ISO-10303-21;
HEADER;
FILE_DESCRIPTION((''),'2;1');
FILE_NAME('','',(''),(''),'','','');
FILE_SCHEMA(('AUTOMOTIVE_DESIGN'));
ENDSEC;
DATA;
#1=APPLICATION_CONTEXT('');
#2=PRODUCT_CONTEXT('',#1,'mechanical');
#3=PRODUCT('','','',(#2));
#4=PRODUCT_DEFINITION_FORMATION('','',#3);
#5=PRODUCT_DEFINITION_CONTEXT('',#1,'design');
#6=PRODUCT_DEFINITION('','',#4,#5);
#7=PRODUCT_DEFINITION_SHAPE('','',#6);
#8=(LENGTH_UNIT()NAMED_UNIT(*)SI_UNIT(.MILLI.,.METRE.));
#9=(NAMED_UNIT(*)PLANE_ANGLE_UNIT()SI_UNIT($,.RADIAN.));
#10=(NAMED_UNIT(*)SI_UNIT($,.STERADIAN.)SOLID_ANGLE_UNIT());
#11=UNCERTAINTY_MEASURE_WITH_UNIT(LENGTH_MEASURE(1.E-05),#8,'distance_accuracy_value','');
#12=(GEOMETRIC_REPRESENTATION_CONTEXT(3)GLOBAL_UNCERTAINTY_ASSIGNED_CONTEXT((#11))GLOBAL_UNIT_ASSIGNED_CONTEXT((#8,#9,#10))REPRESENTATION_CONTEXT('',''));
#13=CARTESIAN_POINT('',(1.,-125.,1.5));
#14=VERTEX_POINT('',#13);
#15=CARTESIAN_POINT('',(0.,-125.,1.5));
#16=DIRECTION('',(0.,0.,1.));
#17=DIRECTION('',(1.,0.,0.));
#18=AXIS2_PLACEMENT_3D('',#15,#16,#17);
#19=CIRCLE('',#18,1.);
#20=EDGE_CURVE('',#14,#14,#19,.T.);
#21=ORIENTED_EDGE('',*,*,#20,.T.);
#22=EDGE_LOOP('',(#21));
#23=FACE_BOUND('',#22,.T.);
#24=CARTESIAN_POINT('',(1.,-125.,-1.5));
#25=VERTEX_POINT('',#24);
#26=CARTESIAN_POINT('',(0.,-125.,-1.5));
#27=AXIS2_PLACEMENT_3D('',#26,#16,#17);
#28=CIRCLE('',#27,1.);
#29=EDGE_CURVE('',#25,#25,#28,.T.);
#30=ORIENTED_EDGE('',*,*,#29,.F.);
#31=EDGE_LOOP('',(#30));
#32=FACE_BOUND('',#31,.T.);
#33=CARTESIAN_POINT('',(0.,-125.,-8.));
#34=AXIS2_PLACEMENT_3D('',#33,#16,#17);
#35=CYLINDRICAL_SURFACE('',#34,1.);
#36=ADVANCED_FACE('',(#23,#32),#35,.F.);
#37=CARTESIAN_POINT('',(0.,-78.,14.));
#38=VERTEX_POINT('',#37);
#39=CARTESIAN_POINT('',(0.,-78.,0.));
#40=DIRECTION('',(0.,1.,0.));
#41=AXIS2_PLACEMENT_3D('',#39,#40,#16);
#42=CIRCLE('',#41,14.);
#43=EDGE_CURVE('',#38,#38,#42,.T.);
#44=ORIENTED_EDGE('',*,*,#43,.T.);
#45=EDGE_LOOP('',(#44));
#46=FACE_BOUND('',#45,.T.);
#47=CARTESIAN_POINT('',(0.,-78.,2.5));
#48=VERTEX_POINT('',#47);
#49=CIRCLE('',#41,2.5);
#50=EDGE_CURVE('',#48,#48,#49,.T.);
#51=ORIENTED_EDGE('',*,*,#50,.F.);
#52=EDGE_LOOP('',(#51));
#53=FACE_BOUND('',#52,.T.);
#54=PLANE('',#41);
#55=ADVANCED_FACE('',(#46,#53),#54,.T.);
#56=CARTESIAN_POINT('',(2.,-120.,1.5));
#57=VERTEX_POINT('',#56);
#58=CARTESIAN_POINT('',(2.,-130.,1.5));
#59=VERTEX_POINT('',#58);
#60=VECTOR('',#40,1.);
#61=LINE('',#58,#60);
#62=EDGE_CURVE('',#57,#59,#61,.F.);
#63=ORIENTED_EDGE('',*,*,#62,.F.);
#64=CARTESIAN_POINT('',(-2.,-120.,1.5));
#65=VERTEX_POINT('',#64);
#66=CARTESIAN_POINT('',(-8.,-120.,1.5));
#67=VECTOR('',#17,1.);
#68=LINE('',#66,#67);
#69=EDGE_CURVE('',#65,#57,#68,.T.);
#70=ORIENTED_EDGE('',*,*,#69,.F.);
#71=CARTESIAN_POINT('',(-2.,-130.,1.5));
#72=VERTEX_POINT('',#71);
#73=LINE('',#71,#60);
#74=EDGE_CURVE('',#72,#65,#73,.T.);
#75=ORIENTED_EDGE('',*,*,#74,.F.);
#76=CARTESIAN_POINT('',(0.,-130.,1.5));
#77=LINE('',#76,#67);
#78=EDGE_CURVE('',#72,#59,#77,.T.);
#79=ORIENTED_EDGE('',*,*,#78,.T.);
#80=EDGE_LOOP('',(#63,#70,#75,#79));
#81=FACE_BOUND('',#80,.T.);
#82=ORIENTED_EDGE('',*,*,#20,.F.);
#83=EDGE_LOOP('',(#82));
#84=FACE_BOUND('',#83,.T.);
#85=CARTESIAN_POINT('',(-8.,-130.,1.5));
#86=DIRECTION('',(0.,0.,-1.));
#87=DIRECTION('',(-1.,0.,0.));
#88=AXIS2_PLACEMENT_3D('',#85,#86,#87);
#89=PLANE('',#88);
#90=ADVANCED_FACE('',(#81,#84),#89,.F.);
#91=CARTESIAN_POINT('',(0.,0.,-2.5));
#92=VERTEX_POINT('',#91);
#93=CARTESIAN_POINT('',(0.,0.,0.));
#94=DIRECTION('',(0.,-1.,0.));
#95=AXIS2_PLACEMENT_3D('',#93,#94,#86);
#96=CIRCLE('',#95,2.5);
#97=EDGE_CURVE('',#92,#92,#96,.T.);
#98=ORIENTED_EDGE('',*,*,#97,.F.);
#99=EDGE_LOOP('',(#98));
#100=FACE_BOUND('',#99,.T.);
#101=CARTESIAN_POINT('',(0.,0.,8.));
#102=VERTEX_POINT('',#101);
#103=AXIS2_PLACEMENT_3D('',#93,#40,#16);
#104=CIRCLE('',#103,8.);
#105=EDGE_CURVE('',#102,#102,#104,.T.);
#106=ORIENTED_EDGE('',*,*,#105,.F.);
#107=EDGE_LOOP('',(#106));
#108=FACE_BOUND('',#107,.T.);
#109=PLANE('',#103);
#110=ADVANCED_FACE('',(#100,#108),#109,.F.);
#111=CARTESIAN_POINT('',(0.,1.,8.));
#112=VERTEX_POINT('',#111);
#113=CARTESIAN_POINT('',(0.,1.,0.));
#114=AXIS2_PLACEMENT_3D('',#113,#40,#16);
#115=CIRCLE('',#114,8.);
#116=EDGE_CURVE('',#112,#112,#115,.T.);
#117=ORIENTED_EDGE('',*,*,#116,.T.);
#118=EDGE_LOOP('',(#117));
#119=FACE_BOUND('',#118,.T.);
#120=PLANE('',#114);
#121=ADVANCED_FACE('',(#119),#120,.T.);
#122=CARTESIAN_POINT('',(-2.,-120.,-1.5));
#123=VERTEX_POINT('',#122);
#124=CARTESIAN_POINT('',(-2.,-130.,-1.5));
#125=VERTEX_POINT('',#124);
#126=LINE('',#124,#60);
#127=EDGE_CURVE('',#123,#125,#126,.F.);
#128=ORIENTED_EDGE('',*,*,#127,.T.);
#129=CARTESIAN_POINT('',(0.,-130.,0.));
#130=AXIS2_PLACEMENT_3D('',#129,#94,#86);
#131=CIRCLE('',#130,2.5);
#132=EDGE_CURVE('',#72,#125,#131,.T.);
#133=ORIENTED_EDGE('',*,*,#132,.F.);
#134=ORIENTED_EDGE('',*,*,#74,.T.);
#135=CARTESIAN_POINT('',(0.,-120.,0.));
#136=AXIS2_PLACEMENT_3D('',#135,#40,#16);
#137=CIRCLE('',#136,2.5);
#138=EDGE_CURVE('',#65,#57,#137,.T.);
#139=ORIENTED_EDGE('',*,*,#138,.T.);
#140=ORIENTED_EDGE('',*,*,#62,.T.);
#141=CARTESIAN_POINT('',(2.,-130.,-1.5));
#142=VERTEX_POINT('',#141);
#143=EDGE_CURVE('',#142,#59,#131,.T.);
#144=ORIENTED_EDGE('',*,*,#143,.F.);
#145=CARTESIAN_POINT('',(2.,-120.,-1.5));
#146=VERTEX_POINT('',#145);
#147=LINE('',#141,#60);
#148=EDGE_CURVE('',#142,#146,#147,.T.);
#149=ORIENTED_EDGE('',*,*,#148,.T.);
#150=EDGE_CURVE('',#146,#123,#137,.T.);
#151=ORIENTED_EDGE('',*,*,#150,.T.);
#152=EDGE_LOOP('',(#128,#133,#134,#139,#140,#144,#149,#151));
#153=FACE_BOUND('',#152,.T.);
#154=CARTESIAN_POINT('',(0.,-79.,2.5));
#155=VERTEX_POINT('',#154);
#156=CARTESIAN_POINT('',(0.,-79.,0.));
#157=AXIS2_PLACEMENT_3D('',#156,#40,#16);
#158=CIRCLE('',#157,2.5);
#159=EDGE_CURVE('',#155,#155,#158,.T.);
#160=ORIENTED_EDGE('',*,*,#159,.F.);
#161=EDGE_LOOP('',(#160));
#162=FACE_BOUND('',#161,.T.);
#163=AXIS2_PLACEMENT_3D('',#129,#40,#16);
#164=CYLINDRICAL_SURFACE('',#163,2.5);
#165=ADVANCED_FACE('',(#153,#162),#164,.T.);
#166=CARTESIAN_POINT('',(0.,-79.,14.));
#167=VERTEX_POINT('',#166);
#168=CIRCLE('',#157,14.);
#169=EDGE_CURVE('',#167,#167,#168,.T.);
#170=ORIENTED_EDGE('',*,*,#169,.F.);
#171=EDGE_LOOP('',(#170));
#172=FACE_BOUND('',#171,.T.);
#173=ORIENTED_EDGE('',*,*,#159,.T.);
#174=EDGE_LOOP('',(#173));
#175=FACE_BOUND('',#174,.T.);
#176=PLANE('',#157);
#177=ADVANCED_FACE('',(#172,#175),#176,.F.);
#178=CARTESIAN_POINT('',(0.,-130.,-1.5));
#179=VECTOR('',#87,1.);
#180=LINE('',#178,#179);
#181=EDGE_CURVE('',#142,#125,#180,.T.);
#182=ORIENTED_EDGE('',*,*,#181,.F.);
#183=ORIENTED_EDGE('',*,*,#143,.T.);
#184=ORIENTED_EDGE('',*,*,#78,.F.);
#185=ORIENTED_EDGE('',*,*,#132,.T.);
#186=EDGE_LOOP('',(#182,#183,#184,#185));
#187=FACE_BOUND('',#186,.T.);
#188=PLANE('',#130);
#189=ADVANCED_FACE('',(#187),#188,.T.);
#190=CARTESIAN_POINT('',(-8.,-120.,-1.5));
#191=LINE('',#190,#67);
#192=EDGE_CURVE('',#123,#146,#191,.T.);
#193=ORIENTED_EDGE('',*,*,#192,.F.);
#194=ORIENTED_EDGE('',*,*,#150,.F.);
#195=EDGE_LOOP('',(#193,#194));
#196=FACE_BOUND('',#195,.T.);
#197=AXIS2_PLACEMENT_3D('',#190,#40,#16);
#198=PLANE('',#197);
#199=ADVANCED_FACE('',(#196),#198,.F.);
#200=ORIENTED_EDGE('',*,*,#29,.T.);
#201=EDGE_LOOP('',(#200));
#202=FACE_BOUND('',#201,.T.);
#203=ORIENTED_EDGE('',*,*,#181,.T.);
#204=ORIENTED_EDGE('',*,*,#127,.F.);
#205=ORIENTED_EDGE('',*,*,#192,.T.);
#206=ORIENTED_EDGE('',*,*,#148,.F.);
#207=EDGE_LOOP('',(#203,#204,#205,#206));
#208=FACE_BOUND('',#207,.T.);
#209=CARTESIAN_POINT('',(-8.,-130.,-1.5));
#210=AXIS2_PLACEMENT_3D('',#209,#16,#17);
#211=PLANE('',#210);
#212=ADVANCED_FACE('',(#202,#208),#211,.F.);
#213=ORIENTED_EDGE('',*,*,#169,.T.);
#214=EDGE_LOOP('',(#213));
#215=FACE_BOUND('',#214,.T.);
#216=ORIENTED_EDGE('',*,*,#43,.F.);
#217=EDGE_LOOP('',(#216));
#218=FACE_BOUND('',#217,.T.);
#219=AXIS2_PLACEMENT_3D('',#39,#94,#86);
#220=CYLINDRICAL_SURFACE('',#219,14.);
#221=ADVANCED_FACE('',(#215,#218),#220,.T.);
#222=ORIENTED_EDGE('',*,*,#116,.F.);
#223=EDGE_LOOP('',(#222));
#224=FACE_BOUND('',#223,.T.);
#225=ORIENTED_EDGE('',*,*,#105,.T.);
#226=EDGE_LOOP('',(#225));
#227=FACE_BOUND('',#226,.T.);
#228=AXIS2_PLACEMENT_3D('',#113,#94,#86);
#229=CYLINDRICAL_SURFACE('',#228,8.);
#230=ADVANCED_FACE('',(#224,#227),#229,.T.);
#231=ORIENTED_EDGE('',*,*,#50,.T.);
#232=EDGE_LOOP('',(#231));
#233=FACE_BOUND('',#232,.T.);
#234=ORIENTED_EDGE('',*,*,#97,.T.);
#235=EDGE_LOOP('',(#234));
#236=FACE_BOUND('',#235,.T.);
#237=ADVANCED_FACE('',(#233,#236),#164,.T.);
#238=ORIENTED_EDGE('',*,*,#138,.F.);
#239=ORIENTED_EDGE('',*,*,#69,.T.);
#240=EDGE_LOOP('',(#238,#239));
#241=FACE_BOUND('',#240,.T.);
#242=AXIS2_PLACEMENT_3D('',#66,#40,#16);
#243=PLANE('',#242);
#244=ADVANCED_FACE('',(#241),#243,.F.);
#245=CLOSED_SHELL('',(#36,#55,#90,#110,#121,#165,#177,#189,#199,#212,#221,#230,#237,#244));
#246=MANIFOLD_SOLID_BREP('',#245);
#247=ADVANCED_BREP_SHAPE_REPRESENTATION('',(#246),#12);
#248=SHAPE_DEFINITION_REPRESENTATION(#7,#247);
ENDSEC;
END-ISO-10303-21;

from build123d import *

# Parameters (mm, degrees)
SKETCH_1_R          = 8
EXTRUDE_1_DEPTH     = 1
SKETCH_3_R          = 2.5
EXTRUDE_2_DEPTH     = 130
SKETCH_5_W          = 1
SKETCH_5_H          = 10
CUT_EXTRUDE_1_DEPTH = 131.668473627
SKETCH_6_R          = 1
CUT_EXTRUDE_2_DEPTH = 131.591921649
SKETCH_8_R          = 14
EXTRUDE_3_DEPTH     = 1


with BuildPart() as part:
    # 草图1 → 凸台-拉伸1 (new body)
    with BuildSketch(Plane(origin=(0, 0, 0), x_dir=(1, 0, 0), z_dir=(0, 1, 0))):
        with Locations(Location((0, 0, 0), (0, 0, 270))):
            Circle(SKETCH_1_R)
    extrude(amount=EXTRUDE_1_DEPTH)

    # 草图3 → 凸台-拉伸2 (add)
    with BuildSketch(Plane.XZ):
        with Locations(Location((0, 0, 0), (0, 0, 270))):
            Circle(SKETCH_3_R)
    extrude(amount=EXTRUDE_2_DEPTH)

    # 草图5 → 切除-拉伸1 (cut, through all)
    with BuildSketch(Plane(origin=(2.5, 0, 0), x_dir=(0, 0, -1), z_dir=(1, 0, 0))):
        with Locations((-2, -125)):
            Rectangle(SKETCH_5_W, SKETCH_5_H)
        with Locations((2, -125)):
            Rectangle(SKETCH_5_W, SKETCH_5_H)
    extrude(amount=-CUT_EXTRUDE_1_DEPTH, mode=Mode.SUBTRACT)

    # 草图6 → 切除-拉伸2 (cut, through all)
    with BuildSketch(Plane.XY.offset(1.5)):
        with Locations((0, -125)):
            Circle(SKETCH_6_R)
    extrude(amount=-CUT_EXTRUDE_2_DEPTH, mode=Mode.SUBTRACT)

    # 草图8 → 凸台-拉伸3 (add)
    with BuildSketch(Plane(origin=(0, -79, 0), x_dir=(1, 0, 0), z_dir=(0, 1, 0))):
        with Locations(Location((0, 0, 0), (0, 0, 270))):
            Circle(SKETCH_8_R)
    extrude(amount=EXTRUDE_3_DEPTH)


solid = part.part
